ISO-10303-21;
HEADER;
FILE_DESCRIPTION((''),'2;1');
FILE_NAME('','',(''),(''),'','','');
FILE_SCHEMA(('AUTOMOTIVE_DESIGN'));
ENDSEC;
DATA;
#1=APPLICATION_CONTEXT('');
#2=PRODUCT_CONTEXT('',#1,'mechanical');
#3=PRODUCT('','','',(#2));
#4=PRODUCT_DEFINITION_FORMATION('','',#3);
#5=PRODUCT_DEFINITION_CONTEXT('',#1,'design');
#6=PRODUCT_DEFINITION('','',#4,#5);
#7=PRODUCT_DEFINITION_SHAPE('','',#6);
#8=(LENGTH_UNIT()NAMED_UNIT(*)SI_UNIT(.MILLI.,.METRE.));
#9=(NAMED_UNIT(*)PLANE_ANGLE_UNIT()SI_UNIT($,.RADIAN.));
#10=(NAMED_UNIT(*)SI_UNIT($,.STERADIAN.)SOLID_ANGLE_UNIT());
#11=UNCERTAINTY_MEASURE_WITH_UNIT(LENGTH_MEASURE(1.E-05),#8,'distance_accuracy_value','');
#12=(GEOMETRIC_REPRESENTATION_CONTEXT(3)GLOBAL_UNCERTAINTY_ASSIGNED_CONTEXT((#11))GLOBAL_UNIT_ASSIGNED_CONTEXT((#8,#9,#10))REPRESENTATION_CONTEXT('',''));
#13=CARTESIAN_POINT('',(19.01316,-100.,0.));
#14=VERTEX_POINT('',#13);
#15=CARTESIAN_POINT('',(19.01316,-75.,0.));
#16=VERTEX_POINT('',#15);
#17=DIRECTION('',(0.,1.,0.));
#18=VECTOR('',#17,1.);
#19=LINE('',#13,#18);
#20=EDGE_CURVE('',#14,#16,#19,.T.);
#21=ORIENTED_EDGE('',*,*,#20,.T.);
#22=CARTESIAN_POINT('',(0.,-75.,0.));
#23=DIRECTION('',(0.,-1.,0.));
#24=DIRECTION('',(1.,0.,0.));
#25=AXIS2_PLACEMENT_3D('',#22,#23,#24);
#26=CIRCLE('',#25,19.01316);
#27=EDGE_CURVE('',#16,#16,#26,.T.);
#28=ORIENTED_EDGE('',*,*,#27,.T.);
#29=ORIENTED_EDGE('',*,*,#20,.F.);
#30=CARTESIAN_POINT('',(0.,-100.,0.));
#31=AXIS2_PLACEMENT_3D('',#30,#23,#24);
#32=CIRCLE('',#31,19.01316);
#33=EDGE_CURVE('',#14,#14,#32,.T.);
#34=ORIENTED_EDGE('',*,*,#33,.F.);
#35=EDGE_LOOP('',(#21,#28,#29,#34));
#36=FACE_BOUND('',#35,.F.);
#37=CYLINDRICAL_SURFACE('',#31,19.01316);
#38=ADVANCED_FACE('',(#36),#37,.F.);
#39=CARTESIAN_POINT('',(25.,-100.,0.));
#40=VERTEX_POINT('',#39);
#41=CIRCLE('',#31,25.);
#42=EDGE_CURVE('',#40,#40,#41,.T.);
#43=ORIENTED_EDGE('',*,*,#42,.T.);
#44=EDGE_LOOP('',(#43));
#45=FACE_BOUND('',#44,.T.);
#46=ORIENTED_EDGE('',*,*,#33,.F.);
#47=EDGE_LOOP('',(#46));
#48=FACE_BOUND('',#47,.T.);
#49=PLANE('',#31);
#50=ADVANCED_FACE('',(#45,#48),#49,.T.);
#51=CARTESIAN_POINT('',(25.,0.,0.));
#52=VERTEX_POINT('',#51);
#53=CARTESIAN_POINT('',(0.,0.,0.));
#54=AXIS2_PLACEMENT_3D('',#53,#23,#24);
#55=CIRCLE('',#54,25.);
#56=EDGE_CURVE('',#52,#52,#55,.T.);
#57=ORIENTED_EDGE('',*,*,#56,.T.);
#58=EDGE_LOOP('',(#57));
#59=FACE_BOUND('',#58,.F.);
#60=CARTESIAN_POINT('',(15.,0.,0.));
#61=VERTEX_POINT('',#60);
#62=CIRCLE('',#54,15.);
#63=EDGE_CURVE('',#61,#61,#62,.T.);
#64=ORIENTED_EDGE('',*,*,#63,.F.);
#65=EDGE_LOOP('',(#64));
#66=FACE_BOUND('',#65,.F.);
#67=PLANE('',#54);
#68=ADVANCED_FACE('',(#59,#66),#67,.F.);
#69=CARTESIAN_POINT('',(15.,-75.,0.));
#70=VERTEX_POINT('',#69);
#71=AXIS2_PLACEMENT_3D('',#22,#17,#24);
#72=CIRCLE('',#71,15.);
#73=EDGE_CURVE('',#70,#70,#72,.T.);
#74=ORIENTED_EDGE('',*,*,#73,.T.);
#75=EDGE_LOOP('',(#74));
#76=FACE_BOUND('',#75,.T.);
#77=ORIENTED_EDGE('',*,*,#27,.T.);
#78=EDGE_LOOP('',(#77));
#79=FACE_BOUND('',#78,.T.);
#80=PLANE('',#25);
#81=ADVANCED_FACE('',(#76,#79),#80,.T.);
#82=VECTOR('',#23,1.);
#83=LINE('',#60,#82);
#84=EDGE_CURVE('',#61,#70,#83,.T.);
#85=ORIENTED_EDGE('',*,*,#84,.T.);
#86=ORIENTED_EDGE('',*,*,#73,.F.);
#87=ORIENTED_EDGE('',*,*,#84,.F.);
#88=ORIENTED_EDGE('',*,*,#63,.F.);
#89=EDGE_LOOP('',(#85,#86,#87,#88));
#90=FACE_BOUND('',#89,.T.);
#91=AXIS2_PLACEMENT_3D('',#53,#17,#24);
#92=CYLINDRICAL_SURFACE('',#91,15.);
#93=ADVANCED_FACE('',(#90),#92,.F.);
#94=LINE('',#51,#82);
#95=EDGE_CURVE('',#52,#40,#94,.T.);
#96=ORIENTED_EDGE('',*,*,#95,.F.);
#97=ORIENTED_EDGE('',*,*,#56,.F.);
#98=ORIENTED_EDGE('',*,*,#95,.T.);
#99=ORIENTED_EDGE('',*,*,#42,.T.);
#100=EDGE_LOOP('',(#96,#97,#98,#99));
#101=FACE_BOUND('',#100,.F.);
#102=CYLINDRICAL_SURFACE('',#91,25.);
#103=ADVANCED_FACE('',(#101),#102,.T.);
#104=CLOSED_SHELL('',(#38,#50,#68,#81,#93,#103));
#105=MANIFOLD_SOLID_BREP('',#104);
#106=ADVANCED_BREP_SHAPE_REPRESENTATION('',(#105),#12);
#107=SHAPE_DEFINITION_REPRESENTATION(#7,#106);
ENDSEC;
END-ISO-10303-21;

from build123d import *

# Parameters (mm, degrees)
F0_R     = 25
F0_R_2   = 15
F1_DEPTH = 100
F2_R     = 19.01316
F3_DEPTH = 25


with BuildPart() as f1:
    # F0 (on Front) → F1 (new body)
    with BuildSketch(Plane.XZ):
        Circle(F0_R)
        Circle(F0_R_2, mode=Mode.SUBTRACT)
    extrude(amount=F1_DEPTH)

    # F2 (on face) → F3 (cut)
    with BuildSketch(Plane.XZ.offset(100)):
        Circle(F2_R)
    extrude(amount=-F3_DEPTH, mode=Mode.SUBTRACT)


solid = f1.part
